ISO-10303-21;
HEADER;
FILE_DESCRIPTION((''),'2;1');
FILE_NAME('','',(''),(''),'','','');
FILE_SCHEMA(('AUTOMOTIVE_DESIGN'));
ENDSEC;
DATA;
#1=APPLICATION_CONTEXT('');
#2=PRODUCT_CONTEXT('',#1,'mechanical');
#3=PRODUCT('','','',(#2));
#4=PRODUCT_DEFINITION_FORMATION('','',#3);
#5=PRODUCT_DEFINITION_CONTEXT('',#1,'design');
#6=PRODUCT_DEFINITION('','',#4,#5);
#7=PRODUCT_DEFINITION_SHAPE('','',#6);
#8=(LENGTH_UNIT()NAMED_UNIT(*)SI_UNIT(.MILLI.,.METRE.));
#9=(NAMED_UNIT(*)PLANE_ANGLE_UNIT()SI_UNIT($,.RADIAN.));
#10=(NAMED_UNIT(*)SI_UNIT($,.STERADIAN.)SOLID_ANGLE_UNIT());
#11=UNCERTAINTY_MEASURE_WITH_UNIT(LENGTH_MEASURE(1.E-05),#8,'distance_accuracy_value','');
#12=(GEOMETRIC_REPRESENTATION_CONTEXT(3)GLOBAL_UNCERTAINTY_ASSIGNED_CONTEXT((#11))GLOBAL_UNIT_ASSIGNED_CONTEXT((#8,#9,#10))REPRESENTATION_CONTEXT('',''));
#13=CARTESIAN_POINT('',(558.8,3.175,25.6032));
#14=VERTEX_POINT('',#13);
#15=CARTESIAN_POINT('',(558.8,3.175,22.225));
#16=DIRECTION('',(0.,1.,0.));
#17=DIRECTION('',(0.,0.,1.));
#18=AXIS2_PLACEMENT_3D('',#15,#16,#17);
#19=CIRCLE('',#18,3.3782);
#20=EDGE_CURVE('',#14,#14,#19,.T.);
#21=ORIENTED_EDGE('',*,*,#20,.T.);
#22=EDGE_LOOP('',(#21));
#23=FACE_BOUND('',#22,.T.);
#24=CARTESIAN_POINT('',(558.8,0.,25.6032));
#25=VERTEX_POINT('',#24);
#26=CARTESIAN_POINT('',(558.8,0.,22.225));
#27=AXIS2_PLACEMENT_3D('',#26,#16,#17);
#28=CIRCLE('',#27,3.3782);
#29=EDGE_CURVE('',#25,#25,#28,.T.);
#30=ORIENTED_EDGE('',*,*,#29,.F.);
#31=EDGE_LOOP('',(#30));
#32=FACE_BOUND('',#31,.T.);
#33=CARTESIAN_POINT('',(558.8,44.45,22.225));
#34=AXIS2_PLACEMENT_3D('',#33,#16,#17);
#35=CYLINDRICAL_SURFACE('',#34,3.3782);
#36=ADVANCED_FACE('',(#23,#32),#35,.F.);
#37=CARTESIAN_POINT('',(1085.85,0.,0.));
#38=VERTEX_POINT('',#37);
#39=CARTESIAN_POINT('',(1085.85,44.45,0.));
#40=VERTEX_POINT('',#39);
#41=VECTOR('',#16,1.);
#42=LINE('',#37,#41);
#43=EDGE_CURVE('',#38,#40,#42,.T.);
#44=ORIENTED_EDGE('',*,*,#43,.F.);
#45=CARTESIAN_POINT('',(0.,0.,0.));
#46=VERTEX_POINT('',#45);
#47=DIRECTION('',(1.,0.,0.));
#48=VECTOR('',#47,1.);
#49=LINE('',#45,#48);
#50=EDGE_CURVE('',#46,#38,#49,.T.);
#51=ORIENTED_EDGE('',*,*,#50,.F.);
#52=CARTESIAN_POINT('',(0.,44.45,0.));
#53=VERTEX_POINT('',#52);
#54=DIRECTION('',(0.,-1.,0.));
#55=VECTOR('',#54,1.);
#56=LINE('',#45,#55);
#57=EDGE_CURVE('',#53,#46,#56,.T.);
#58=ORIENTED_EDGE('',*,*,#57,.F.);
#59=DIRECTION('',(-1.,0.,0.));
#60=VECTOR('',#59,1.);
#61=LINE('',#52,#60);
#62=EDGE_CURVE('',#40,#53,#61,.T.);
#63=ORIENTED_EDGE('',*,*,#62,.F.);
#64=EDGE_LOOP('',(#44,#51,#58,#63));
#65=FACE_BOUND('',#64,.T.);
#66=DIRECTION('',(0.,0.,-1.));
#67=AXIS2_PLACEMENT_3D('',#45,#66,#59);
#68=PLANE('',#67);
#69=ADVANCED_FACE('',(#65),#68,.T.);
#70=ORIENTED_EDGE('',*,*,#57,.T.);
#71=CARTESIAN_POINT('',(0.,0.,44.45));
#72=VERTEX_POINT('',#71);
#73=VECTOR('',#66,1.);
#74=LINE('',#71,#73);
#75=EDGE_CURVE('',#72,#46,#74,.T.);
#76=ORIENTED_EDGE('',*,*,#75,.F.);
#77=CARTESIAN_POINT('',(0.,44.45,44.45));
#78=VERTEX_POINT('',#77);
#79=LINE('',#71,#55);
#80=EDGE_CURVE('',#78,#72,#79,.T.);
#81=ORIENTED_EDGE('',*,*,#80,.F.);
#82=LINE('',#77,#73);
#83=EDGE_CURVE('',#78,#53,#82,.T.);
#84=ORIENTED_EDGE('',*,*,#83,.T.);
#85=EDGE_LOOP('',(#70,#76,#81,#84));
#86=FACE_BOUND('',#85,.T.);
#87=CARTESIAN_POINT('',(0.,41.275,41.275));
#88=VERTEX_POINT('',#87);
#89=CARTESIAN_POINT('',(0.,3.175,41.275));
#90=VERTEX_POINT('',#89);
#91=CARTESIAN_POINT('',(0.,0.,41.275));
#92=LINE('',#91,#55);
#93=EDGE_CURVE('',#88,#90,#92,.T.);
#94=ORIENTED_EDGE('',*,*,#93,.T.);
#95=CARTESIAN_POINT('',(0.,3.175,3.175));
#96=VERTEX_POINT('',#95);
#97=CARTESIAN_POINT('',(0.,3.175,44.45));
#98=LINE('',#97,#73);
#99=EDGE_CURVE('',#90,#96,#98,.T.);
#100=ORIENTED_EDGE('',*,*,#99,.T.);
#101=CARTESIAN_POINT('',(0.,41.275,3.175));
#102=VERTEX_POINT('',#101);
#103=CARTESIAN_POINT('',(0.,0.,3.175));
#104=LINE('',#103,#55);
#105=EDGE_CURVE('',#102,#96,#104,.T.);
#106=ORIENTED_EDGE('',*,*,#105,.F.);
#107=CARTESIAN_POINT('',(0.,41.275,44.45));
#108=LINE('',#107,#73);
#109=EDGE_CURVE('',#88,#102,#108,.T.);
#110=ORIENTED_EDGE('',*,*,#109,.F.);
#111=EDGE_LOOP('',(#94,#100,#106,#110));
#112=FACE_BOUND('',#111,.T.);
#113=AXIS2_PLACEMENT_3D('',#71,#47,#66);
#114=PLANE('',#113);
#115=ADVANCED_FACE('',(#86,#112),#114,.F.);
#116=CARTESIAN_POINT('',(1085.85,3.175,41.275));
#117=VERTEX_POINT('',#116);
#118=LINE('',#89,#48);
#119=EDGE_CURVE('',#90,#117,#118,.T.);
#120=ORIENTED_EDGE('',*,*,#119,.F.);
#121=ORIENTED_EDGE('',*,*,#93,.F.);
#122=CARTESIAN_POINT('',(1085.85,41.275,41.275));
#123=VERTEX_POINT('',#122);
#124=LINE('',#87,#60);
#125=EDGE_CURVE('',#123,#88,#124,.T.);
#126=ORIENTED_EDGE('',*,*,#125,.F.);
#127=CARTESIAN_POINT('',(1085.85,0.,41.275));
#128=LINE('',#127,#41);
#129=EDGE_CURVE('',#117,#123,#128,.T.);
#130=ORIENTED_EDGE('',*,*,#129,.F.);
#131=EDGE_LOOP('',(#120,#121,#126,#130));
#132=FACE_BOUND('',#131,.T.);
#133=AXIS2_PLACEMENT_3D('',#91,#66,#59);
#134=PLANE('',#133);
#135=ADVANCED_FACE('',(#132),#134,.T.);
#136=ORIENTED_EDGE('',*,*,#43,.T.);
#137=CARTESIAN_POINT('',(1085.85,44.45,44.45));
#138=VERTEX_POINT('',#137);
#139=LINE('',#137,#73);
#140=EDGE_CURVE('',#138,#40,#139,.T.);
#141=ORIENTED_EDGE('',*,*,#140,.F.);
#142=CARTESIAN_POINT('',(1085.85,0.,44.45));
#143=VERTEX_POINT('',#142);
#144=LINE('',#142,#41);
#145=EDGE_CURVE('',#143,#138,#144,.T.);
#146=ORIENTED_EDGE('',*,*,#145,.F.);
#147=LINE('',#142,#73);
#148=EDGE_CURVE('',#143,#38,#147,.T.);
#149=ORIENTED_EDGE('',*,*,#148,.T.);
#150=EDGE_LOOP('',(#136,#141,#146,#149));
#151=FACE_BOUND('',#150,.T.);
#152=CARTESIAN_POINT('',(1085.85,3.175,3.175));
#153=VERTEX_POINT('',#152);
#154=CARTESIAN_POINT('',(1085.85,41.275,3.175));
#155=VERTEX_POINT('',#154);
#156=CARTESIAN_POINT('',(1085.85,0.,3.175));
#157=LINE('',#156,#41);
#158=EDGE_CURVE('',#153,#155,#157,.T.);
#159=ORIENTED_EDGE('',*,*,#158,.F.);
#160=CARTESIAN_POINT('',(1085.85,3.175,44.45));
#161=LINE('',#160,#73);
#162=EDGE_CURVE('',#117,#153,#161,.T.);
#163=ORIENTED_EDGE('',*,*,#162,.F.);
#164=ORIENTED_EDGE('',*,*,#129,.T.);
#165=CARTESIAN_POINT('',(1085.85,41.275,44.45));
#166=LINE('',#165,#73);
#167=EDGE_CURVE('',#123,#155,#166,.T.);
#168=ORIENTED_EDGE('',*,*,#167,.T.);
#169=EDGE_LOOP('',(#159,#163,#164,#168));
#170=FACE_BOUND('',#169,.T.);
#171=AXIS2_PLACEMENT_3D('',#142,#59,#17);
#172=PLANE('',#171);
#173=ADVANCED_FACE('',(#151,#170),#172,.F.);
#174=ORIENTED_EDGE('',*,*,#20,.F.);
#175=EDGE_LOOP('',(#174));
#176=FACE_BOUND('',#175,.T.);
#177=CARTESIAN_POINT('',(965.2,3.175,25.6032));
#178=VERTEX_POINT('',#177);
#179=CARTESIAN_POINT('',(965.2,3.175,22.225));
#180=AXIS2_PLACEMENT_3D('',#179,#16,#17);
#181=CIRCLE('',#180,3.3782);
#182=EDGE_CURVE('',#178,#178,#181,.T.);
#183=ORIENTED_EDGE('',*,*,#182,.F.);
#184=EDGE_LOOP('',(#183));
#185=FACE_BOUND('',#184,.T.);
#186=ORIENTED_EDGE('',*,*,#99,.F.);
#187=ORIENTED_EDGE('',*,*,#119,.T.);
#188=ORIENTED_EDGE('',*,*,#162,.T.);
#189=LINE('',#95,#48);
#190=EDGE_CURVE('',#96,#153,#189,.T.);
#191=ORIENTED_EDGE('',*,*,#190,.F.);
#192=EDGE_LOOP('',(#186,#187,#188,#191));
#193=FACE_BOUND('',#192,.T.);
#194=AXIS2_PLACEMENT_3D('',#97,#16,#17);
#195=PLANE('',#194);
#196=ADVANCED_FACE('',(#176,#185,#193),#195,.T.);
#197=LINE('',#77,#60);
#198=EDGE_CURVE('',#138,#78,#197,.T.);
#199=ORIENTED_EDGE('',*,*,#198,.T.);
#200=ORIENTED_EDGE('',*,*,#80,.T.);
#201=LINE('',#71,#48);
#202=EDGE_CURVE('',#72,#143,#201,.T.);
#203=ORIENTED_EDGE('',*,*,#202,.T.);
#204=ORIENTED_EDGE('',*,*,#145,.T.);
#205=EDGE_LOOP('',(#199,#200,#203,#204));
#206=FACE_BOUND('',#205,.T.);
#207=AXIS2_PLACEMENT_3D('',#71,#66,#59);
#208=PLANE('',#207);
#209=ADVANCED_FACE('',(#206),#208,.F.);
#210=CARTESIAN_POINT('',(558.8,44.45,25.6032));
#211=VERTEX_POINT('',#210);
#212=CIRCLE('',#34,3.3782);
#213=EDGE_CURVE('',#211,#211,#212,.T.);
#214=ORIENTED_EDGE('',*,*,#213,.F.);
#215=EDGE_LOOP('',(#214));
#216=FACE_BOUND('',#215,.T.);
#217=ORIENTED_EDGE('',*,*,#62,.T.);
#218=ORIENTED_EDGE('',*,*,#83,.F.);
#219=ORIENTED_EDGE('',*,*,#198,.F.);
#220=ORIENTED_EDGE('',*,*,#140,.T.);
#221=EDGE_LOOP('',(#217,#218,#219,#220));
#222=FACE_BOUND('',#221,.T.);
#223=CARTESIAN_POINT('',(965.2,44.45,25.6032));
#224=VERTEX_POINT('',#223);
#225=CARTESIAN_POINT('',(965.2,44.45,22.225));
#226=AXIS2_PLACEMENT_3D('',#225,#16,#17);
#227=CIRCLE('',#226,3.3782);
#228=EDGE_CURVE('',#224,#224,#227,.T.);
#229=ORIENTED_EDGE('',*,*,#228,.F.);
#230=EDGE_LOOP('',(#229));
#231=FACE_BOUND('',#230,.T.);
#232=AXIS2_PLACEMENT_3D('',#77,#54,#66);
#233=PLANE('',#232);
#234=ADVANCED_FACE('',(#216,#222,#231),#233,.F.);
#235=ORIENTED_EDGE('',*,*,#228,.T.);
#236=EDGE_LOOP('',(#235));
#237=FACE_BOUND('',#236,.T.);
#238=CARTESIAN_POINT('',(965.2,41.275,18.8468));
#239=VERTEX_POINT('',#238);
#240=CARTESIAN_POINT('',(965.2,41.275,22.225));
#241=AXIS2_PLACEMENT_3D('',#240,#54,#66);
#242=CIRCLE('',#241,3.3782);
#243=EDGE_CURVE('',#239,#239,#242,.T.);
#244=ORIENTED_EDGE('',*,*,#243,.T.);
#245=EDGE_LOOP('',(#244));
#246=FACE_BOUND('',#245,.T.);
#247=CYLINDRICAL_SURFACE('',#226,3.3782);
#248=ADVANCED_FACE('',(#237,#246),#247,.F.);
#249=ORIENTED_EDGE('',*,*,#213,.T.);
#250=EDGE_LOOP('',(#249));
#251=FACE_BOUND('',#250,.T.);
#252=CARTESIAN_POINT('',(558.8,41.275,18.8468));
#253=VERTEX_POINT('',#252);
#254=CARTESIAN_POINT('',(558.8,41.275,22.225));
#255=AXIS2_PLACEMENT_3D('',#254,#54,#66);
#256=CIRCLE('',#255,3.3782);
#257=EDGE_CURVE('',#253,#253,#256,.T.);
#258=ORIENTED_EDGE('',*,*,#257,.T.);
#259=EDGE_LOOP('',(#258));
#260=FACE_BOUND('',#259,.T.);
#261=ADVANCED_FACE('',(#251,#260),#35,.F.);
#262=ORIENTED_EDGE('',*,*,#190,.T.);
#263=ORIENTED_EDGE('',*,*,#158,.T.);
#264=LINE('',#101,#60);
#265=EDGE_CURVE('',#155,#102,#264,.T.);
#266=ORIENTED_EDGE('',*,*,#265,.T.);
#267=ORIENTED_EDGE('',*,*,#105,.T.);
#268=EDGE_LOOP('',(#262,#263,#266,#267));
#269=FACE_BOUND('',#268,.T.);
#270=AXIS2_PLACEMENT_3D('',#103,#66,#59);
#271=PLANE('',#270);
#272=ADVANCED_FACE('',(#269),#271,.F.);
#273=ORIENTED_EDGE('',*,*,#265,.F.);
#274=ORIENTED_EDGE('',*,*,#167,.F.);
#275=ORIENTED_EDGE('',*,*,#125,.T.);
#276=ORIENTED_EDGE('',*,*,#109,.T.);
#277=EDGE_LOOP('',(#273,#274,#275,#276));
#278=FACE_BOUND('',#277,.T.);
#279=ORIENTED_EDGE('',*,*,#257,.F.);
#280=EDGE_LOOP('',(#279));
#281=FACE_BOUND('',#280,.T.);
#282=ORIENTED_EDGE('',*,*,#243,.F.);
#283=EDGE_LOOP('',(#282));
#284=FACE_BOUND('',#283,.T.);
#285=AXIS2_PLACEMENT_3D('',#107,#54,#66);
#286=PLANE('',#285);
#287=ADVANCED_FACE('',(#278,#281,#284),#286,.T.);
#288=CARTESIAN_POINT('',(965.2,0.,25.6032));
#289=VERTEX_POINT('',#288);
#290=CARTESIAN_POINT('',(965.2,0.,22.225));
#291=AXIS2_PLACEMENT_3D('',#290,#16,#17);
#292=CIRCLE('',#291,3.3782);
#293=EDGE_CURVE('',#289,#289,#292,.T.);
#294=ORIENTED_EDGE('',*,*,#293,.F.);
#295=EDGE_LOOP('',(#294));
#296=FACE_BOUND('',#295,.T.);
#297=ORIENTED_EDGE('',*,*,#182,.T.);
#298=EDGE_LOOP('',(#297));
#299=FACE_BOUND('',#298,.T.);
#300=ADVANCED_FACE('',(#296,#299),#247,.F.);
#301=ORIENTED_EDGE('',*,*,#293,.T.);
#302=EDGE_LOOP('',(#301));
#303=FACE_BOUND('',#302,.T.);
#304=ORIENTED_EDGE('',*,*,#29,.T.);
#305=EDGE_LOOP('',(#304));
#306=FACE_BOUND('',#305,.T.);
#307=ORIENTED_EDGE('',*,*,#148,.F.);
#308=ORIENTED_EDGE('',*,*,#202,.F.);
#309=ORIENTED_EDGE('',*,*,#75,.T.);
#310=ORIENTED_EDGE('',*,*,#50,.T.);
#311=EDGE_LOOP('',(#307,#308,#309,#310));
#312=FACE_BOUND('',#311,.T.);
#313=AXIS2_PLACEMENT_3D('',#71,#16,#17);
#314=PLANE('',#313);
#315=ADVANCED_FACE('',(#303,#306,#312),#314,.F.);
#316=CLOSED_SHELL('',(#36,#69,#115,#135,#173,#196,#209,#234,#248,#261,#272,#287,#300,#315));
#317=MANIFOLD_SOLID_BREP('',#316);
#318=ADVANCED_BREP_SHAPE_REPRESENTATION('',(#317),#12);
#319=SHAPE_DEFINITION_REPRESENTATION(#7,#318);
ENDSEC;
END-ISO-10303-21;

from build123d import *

# Parameters (mm, degrees)
SKETCH1_W                = 1085.85
SKETCH1_H                = 44.45
BOSS_EXTRUDE1_DEPTH      = 44.45
SHELL1_T                 = -3.175
H_0_266_DIAMETER_HOLE1_D = 6.7564


with BuildPart() as part:
    # Sketch1 → Boss-Extrude1 (new body)
    with BuildSketch(Plane.XY):
        with Locations((542.925, 22.225)):
            Rectangle(SKETCH1_W, SKETCH1_H)
    extrude(amount=BOSS_EXTRUDE1_DEPTH)

    # Shell1
    shell1_openings = [part.faces().sort_by_distance(p)[0] for p in [
        (1085.85, 22.225, 22.225),
        (0, 22.225, 22.225),
    ]]
    offset(amount=SHELL1_T, openings=shell1_openings, kind=Kind.INTERSECTION)

    # H (0.266) Diameter Hole1 (through all)
    with Locations(Plane(origin=(0, 44.45, 0), x_dir=(1, 0, 0), z_dir=(0, 1, 0))):
        with Locations((965.2, -22.225), (558.8, -22.225)):
            Hole(H_0_266_DIAMETER_HOLE1_D / 2)


solid = part.part
